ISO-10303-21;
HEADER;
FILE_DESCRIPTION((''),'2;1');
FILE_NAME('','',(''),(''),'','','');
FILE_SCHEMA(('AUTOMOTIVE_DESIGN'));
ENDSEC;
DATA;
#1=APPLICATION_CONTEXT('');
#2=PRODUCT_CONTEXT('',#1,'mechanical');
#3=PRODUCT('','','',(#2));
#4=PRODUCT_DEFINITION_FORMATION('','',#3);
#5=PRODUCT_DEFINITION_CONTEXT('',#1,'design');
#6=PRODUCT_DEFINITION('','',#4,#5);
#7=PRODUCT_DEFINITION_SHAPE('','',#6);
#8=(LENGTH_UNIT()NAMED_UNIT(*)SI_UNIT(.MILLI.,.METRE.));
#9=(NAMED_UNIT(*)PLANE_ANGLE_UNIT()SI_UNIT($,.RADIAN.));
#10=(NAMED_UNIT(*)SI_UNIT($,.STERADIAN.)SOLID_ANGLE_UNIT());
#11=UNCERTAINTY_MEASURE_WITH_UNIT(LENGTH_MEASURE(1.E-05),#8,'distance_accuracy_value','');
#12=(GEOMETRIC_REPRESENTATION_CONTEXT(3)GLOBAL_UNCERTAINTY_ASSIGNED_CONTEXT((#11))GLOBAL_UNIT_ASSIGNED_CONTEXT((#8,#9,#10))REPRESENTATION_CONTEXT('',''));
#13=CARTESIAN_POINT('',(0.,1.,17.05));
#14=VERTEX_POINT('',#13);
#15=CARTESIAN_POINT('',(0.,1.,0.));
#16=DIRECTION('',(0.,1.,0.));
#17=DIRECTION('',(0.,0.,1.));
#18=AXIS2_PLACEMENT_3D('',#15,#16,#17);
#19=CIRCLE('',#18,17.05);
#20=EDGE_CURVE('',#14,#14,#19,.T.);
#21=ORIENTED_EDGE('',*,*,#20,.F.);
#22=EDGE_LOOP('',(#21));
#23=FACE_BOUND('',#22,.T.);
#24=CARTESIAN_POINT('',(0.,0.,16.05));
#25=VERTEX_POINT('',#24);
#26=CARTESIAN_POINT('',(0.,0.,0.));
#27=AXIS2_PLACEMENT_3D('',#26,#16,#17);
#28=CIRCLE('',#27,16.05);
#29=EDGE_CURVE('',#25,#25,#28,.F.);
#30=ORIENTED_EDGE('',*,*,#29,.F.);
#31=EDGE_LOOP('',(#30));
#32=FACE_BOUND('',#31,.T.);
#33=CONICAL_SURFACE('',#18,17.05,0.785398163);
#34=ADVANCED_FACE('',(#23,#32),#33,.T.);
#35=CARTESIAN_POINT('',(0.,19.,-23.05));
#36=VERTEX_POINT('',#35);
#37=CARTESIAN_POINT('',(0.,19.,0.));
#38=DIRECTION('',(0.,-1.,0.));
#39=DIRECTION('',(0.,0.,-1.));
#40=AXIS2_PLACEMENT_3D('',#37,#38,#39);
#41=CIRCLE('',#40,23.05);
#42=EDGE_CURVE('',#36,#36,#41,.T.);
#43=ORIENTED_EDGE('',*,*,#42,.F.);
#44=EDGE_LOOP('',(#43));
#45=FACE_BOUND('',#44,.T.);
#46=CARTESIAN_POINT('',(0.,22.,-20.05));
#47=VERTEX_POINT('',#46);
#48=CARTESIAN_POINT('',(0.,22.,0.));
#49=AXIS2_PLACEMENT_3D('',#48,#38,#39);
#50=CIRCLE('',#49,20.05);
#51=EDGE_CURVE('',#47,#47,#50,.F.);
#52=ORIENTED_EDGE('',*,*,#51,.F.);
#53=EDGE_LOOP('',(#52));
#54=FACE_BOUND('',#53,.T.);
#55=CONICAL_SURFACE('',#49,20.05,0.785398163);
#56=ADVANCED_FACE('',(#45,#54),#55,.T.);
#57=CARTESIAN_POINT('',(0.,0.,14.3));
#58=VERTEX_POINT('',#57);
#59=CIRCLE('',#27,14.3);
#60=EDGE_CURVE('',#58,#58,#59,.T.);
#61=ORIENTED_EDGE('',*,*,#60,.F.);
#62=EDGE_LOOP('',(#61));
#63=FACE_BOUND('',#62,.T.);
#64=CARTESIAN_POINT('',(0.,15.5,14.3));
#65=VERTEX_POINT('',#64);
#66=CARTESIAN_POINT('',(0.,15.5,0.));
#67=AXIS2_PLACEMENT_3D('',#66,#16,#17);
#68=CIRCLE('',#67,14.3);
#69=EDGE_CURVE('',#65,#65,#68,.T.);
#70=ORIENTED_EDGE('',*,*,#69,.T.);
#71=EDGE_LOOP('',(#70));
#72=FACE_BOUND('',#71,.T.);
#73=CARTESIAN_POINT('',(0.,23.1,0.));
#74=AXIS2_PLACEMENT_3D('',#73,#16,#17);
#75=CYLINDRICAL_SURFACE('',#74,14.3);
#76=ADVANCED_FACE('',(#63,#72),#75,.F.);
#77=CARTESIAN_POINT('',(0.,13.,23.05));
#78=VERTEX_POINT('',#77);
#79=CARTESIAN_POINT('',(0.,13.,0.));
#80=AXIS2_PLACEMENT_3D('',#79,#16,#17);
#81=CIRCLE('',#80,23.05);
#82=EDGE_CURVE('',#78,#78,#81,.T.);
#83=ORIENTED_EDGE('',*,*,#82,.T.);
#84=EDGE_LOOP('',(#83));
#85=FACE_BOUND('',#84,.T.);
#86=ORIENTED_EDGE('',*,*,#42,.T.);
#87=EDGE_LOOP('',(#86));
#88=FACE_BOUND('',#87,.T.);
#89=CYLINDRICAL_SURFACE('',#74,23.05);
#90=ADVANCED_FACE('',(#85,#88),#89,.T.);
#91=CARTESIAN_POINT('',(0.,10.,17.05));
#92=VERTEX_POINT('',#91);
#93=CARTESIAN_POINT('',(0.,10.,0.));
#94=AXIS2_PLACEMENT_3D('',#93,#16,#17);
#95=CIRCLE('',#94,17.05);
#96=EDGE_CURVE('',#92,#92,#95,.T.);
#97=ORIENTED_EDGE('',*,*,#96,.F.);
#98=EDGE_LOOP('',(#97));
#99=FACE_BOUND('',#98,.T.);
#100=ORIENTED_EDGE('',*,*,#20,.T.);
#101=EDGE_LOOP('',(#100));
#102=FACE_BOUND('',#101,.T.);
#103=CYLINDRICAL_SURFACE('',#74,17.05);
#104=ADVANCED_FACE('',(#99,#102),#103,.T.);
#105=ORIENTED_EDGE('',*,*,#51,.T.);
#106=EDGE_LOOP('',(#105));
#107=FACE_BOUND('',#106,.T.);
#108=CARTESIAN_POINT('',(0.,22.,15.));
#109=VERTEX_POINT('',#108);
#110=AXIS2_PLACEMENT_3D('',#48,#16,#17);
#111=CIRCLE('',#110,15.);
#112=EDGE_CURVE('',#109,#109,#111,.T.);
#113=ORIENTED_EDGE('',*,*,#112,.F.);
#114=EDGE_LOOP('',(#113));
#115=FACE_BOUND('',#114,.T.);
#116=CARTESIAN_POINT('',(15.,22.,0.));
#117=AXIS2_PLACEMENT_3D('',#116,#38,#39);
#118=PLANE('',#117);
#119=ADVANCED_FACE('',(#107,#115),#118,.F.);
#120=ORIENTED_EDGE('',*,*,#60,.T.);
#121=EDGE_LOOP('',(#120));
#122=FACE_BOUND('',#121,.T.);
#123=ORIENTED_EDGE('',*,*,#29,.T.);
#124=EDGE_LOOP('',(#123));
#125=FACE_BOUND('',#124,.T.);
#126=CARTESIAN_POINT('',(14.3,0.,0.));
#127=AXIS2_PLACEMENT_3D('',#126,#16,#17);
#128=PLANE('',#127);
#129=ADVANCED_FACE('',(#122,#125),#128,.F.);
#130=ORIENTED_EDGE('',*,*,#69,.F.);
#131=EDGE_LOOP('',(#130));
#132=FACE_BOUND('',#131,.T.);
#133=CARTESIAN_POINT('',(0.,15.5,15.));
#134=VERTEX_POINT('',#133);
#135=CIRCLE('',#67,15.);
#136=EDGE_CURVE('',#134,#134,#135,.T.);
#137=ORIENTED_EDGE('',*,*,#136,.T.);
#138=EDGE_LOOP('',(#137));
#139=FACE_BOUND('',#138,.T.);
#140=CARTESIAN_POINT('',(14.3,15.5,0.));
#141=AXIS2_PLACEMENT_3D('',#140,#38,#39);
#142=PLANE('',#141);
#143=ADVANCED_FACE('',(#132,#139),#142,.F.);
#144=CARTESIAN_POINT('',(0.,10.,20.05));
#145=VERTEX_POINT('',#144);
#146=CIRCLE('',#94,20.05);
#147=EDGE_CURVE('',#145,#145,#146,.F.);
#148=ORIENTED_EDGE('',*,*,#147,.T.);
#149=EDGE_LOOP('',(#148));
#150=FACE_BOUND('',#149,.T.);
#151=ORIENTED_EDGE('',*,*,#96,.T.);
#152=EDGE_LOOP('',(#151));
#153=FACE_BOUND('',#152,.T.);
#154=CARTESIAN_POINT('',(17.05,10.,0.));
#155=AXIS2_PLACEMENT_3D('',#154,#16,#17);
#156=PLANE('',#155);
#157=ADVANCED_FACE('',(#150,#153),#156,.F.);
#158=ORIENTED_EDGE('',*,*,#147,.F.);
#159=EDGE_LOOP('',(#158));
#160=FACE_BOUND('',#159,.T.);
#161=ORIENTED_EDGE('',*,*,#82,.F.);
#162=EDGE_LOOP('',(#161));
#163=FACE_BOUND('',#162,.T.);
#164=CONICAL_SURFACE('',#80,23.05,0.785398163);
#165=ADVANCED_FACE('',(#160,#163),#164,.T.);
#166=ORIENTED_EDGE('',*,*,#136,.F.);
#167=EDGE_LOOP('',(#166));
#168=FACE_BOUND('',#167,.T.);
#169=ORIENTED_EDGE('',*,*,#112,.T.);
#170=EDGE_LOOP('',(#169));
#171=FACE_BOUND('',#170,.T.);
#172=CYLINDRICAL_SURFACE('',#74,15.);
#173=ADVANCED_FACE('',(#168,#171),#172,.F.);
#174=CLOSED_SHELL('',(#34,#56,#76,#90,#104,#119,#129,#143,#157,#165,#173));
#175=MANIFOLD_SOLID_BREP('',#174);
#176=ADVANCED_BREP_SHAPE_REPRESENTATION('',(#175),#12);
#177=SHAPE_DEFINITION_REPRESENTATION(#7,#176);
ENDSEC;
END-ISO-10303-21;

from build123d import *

# Parameters (mm, degrees)
CHAMFER1_SIZE = 3
CHAMFER2_SIZE = 1


with BuildPart() as part:
    # Sketch1 → Revolve1 (revolve)
    with BuildSketch(Plane.XY):
        Polygon((14.3, 0), (17.05, 0), (17.05, 10), (23.05, 10), (23.05, 22), (15, 22), (15, 15.5), (14.3, 15.5), align=None)
    revolve(axis=Axis((0, 23.1, 0), (0, -1, 0)))

    # Chamfer1
    chamfer1_edges = [part.edges().sort_by_distance(p)[0] for p in [
        (-23.05, 22, 0),
        (-23.05, 10, 0),
    ]]
    chamfer(chamfer1_edges, length=CHAMFER1_SIZE)

    # Chamfer2
    chamfer2_edges = [part.edges().sort_by_distance(p)[0] for p in [
        (-17.05, 0, 0),
    ]]
    chamfer(chamfer2_edges, length=CHAMFER2_SIZE)


solid = part.part
